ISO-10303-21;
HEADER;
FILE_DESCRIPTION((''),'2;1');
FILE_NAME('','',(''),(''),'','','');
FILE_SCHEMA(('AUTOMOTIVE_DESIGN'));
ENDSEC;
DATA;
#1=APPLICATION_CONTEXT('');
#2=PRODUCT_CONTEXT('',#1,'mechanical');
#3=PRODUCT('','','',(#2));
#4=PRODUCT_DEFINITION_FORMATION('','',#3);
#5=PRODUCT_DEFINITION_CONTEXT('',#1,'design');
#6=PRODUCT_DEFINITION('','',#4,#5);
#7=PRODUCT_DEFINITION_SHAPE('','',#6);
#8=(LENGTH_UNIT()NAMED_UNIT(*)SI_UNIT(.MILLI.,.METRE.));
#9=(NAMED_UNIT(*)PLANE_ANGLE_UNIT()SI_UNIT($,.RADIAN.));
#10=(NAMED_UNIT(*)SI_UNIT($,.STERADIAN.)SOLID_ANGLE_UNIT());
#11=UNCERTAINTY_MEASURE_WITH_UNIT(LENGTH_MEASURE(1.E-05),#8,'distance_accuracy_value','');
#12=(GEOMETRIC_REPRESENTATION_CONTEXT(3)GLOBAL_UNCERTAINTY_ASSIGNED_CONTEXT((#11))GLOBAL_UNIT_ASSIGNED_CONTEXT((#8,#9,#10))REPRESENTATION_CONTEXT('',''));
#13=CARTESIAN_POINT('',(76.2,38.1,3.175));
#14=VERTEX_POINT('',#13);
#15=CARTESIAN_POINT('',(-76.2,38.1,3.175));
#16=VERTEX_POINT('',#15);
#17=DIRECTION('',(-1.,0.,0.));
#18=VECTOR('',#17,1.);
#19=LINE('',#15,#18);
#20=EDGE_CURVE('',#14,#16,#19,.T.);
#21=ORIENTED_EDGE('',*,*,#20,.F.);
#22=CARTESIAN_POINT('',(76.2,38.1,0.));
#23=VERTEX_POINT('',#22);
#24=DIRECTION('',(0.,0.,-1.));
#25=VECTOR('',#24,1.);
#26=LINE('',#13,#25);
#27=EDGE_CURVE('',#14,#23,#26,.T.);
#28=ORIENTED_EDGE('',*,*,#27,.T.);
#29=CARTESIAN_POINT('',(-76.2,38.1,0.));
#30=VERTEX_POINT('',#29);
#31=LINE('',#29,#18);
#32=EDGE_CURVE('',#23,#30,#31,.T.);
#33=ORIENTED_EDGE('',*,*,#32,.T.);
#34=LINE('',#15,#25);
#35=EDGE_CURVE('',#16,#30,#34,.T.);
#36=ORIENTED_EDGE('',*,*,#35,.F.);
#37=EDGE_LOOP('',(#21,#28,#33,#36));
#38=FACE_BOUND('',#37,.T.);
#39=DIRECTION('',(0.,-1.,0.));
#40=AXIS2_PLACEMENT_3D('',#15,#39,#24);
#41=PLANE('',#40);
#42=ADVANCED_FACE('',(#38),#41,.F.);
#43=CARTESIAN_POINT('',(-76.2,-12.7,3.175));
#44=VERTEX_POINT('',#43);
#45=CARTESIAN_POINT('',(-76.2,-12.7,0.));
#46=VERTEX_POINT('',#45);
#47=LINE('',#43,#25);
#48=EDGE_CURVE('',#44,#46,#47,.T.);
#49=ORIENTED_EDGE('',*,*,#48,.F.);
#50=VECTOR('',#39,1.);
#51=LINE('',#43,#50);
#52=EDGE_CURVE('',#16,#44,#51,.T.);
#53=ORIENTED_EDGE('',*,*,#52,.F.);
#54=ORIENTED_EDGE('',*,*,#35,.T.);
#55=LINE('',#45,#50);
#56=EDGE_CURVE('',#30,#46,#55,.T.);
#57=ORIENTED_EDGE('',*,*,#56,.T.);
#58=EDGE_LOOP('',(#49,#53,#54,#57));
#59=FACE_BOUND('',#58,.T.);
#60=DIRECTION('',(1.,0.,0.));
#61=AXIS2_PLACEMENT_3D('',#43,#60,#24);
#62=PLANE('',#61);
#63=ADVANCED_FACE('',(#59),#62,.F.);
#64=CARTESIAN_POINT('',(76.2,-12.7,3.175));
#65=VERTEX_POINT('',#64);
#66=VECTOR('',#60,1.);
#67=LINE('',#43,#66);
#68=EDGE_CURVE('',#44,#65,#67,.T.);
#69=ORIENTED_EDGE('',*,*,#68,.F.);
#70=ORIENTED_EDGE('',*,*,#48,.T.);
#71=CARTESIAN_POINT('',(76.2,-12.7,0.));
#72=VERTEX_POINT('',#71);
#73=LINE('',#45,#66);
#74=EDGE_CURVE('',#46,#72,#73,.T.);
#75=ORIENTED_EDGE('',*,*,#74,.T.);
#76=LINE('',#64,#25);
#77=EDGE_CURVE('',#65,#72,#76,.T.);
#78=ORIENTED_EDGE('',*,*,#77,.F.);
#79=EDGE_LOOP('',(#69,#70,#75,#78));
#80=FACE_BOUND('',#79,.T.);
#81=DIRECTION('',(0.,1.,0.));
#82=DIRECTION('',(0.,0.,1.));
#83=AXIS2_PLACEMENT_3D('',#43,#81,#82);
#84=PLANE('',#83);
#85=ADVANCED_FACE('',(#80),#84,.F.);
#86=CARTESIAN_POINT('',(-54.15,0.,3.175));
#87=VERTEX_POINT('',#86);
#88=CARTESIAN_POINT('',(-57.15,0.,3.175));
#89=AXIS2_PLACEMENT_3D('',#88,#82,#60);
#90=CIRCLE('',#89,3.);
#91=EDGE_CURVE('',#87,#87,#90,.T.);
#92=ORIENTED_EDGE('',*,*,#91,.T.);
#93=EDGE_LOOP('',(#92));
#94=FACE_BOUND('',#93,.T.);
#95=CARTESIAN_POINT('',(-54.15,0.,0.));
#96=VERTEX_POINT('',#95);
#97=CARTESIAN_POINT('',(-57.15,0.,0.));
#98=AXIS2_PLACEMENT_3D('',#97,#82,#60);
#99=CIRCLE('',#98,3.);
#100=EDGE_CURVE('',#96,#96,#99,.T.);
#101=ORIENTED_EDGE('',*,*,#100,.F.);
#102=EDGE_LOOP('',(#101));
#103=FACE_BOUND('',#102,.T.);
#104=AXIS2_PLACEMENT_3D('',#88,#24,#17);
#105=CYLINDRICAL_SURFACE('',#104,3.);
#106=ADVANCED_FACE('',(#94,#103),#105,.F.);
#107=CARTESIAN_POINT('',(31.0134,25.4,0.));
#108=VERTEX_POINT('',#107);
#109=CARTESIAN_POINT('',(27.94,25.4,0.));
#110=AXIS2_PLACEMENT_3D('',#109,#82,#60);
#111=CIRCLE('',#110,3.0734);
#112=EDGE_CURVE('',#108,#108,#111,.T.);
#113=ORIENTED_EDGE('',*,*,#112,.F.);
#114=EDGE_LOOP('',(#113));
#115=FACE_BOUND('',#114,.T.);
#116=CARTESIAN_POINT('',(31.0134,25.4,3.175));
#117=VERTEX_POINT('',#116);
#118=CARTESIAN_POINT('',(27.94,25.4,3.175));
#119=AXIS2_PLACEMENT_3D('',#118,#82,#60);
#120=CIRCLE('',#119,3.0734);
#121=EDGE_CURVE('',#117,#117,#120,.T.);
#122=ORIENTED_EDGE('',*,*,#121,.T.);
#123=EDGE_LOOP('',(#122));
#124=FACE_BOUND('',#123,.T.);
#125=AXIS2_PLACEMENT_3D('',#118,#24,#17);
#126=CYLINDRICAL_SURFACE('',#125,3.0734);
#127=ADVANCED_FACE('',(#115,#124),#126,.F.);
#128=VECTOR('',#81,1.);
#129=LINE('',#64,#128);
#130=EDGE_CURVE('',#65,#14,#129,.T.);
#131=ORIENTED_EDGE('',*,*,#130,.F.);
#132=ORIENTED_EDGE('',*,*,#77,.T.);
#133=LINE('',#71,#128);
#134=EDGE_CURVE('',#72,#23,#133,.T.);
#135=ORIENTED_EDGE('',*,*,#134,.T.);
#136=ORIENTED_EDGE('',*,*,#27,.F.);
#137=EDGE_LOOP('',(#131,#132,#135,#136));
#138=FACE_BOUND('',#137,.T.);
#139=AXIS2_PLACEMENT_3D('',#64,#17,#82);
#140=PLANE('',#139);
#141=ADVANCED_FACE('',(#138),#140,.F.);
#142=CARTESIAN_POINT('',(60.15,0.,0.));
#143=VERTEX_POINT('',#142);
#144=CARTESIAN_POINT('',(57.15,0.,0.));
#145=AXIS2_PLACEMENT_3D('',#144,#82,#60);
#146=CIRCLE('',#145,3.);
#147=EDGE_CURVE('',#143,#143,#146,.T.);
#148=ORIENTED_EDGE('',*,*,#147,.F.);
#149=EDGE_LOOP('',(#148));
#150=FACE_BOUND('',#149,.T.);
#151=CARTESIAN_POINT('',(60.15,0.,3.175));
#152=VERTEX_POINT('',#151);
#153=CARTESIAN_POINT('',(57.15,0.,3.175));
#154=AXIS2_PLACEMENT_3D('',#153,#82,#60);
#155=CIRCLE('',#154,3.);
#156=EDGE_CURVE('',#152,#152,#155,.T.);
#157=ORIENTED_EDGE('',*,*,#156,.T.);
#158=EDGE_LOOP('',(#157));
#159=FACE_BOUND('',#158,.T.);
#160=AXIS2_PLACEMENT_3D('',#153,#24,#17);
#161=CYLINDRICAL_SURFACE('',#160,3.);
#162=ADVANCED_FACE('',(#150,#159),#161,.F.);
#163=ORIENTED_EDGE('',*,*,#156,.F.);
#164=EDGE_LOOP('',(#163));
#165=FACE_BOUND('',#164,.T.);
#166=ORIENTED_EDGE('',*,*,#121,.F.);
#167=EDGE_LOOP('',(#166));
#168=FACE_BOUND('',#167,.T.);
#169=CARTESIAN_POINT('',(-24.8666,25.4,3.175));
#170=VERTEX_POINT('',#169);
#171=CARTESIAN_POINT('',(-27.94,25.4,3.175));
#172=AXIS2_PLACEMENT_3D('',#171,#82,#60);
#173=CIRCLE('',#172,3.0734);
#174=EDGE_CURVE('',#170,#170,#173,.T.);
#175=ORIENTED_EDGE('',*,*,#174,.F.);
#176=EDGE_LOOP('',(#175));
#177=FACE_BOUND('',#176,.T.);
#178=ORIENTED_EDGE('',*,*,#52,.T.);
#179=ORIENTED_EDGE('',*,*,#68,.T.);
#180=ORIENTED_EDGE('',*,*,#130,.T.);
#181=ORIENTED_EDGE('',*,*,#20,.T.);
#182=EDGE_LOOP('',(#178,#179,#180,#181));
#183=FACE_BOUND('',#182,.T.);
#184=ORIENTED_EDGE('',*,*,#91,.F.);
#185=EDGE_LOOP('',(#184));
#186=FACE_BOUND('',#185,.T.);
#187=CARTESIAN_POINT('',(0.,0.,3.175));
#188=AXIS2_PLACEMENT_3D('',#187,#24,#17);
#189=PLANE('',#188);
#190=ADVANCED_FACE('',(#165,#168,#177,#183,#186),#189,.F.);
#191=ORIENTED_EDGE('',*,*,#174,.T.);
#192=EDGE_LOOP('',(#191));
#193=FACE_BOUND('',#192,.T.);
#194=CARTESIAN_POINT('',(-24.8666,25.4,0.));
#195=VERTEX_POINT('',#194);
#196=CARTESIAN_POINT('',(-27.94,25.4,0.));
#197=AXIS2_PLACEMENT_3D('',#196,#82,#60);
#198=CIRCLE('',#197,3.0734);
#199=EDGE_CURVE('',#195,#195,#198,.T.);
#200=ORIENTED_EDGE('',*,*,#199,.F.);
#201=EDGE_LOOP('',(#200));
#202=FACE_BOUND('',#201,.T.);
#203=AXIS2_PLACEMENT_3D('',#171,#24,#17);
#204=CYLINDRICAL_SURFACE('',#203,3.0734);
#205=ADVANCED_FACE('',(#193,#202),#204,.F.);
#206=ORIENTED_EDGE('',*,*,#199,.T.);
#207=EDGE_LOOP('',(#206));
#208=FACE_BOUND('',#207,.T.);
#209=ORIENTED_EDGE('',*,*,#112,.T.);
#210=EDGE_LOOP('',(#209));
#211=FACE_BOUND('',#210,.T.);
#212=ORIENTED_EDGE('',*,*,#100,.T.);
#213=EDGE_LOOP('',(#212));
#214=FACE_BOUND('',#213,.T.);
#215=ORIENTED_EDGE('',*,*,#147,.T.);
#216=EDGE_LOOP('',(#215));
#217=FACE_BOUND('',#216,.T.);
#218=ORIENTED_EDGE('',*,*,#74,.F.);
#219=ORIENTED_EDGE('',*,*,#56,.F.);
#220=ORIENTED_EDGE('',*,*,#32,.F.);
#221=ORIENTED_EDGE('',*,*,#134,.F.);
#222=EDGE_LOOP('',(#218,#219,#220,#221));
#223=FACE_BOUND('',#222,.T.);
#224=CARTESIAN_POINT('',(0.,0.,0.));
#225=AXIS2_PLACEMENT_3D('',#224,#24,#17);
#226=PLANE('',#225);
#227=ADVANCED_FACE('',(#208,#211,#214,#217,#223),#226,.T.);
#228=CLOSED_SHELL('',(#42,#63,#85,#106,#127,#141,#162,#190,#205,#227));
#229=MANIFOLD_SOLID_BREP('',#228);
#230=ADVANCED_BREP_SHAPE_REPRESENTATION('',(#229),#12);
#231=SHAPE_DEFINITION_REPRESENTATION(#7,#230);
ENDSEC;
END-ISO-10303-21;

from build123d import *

# Parameters (mm, degrees)
SKETCH1_W           = 152.4
SKETCH1_H           = 50.8
SKETCH1_R           = 3.0734
SKETCH1_R_2         = 3
BOSS_EXTRUDE1_DEPTH = 3.175


with BuildPart() as part:
    # Sketch1 → Boss-Extrude1 (new body)
    with BuildSketch(Plane.XY):
        with Locations((0, 12.7)):
            Rectangle(SKETCH1_W, SKETCH1_H)
        with Locations((-27.94, 25.4)):
            Circle(SKETCH1_R, mode=Mode.SUBTRACT)
        with Locations((27.94, 25.4)):
            Circle(SKETCH1_R, mode=Mode.SUBTRACT)
        with Locations((-57.15, 0)):
            Circle(SKETCH1_R_2, mode=Mode.SUBTRACT)
        with Locations((57.15, 0)):
            Circle(SKETCH1_R_2, mode=Mode.SUBTRACT)
    extrude(amount=BOSS_EXTRUDE1_DEPTH)


solid = part.part
